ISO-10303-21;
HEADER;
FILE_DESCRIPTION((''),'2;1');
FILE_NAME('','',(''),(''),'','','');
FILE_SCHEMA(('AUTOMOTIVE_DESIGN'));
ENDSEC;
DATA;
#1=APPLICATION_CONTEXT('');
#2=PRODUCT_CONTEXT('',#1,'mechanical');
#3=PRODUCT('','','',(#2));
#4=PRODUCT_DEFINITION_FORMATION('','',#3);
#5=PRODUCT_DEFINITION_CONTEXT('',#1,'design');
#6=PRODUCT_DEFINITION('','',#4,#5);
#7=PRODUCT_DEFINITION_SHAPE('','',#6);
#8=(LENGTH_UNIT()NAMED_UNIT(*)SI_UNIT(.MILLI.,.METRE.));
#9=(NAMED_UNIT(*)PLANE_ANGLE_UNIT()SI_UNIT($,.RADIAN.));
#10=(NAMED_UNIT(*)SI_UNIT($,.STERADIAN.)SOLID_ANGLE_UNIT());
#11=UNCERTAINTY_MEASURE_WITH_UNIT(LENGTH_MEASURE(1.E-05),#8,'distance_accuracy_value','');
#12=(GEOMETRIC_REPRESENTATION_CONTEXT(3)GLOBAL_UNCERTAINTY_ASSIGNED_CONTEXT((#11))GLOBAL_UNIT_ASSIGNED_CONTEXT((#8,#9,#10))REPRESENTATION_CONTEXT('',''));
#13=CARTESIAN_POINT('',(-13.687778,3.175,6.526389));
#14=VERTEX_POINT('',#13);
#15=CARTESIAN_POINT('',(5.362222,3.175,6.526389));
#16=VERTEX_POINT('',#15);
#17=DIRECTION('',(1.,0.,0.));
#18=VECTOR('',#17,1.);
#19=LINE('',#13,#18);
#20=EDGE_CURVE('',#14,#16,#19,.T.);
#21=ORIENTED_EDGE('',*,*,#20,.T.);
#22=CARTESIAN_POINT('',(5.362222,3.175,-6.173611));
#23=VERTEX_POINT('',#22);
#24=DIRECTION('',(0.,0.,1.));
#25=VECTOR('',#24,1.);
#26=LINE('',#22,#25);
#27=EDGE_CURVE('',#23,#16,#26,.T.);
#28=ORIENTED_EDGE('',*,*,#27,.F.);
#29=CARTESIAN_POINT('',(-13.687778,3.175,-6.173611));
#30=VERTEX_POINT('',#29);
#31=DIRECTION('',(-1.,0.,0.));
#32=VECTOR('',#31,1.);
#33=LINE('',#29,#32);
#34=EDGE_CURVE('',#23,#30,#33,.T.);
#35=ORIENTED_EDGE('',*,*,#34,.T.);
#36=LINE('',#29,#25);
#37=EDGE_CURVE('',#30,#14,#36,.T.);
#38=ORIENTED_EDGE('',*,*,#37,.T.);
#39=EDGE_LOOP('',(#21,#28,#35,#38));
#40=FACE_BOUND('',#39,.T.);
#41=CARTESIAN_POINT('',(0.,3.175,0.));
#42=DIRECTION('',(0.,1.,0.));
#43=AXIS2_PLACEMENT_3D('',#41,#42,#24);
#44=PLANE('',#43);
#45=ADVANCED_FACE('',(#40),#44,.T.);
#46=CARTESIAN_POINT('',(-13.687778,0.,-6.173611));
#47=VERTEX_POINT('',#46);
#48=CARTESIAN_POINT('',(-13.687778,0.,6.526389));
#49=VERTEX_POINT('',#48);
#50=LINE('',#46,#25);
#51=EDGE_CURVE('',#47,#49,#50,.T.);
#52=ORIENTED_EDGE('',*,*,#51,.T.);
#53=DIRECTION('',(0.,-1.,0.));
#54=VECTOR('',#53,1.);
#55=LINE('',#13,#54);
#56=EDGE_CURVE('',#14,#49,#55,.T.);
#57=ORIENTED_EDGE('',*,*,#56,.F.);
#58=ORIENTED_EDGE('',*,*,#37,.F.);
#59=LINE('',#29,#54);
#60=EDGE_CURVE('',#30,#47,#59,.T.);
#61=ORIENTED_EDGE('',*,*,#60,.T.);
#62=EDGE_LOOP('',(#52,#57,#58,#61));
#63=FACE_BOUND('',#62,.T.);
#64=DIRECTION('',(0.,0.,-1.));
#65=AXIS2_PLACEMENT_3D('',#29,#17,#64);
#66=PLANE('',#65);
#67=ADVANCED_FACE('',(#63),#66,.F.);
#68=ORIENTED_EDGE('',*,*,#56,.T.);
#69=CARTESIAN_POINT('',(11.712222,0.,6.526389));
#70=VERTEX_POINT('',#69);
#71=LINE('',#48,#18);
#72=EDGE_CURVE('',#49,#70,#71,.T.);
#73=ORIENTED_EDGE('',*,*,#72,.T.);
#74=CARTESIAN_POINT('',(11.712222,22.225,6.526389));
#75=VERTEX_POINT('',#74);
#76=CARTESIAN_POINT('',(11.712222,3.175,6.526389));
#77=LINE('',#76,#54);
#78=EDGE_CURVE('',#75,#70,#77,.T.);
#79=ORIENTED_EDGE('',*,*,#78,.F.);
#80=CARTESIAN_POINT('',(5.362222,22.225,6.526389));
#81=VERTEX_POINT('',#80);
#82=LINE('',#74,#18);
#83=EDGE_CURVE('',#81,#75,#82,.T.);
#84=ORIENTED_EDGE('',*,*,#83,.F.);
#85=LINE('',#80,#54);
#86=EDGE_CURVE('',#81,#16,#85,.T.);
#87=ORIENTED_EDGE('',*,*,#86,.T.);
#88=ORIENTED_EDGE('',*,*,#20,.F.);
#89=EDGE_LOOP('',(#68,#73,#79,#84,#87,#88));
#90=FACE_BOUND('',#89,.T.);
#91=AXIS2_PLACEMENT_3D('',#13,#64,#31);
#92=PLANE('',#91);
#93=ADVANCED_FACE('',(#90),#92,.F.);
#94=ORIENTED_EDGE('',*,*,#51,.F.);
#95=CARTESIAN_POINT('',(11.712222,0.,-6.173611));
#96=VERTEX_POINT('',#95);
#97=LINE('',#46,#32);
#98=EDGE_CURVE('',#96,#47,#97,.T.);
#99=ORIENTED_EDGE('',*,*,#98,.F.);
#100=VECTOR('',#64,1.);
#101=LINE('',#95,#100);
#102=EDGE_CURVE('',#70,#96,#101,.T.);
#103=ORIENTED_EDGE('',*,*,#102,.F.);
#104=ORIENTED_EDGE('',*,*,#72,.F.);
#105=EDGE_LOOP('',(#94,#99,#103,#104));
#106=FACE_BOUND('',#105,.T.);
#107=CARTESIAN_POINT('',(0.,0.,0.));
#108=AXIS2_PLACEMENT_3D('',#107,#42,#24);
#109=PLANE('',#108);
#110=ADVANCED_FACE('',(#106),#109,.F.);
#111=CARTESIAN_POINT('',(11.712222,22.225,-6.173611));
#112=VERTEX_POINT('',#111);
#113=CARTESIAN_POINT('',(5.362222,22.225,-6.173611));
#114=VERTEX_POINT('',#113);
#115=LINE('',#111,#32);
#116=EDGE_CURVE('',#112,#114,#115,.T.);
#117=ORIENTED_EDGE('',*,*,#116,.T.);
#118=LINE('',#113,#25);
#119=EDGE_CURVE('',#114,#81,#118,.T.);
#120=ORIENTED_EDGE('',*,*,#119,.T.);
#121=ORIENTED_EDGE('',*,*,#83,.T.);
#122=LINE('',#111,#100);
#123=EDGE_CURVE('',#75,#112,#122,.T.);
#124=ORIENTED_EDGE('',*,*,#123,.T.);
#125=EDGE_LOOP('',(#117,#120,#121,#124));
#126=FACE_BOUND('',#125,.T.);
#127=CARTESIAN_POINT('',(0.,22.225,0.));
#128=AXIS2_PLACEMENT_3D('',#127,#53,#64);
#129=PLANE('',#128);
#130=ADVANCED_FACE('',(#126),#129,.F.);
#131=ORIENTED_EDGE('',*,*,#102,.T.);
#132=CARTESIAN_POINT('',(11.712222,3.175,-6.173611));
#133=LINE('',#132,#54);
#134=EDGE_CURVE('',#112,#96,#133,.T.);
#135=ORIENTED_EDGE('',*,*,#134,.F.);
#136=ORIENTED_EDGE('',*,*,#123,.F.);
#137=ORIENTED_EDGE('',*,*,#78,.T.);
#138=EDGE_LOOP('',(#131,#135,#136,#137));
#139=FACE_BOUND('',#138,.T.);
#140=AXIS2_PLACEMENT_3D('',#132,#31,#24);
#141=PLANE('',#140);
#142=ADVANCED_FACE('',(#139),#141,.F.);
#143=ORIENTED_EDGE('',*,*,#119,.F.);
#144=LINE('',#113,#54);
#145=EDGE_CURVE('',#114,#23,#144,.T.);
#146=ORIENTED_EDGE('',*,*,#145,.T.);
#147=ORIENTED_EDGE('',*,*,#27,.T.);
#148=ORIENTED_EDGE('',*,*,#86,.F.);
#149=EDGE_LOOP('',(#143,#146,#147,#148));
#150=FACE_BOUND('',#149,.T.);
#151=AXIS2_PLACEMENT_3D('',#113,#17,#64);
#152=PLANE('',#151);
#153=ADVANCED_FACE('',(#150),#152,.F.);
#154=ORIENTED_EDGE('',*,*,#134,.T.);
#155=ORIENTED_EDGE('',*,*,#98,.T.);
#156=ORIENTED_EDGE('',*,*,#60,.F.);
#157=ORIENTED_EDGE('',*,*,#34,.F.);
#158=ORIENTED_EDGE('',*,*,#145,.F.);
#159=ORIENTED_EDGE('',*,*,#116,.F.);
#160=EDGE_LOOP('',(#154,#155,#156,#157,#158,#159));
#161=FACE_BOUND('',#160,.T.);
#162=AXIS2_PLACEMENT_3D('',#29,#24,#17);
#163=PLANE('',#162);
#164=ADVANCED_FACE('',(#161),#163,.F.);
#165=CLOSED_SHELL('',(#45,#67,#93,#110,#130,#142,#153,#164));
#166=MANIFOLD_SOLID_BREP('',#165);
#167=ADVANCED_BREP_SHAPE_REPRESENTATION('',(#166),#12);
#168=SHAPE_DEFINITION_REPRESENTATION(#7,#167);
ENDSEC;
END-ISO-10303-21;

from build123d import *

# Parameters (mm, degrees)
SKETCH1_W           = 25.4
SKETCH1_H           = 12.7
BOSS_EXTRUDE1_DEPTH = 3.175
SKETCH2_W           = 6.35
SKETCH2_H           = 12.7
BOSS_EXTRUDE2_DEPTH = 19.05


with BuildPart() as part:
    # Sketch1 → Boss-Extrude1 (new body)
    with BuildSketch(Plane(origin=(0, 0, 0), x_dir=(1, 0, 0), z_dir=(0, 1, 0))):
        with Locations((-0.987777778, -0.176388889)):
            Rectangle(SKETCH1_W, SKETCH1_H)
    extrude(amount=BOSS_EXTRUDE1_DEPTH)

    # Sketch2 → Boss-Extrude2 (add)
    with BuildSketch(Plane(origin=(0, 3.175, 0), x_dir=(1, 0, 0), z_dir=(0, 1, 0))):
        with Locations((8.537222222, -0.176388889)):
            Rectangle(SKETCH2_W, SKETCH2_H)
    extrude(amount=BOSS_EXTRUDE2_DEPTH)


solid = part.part
